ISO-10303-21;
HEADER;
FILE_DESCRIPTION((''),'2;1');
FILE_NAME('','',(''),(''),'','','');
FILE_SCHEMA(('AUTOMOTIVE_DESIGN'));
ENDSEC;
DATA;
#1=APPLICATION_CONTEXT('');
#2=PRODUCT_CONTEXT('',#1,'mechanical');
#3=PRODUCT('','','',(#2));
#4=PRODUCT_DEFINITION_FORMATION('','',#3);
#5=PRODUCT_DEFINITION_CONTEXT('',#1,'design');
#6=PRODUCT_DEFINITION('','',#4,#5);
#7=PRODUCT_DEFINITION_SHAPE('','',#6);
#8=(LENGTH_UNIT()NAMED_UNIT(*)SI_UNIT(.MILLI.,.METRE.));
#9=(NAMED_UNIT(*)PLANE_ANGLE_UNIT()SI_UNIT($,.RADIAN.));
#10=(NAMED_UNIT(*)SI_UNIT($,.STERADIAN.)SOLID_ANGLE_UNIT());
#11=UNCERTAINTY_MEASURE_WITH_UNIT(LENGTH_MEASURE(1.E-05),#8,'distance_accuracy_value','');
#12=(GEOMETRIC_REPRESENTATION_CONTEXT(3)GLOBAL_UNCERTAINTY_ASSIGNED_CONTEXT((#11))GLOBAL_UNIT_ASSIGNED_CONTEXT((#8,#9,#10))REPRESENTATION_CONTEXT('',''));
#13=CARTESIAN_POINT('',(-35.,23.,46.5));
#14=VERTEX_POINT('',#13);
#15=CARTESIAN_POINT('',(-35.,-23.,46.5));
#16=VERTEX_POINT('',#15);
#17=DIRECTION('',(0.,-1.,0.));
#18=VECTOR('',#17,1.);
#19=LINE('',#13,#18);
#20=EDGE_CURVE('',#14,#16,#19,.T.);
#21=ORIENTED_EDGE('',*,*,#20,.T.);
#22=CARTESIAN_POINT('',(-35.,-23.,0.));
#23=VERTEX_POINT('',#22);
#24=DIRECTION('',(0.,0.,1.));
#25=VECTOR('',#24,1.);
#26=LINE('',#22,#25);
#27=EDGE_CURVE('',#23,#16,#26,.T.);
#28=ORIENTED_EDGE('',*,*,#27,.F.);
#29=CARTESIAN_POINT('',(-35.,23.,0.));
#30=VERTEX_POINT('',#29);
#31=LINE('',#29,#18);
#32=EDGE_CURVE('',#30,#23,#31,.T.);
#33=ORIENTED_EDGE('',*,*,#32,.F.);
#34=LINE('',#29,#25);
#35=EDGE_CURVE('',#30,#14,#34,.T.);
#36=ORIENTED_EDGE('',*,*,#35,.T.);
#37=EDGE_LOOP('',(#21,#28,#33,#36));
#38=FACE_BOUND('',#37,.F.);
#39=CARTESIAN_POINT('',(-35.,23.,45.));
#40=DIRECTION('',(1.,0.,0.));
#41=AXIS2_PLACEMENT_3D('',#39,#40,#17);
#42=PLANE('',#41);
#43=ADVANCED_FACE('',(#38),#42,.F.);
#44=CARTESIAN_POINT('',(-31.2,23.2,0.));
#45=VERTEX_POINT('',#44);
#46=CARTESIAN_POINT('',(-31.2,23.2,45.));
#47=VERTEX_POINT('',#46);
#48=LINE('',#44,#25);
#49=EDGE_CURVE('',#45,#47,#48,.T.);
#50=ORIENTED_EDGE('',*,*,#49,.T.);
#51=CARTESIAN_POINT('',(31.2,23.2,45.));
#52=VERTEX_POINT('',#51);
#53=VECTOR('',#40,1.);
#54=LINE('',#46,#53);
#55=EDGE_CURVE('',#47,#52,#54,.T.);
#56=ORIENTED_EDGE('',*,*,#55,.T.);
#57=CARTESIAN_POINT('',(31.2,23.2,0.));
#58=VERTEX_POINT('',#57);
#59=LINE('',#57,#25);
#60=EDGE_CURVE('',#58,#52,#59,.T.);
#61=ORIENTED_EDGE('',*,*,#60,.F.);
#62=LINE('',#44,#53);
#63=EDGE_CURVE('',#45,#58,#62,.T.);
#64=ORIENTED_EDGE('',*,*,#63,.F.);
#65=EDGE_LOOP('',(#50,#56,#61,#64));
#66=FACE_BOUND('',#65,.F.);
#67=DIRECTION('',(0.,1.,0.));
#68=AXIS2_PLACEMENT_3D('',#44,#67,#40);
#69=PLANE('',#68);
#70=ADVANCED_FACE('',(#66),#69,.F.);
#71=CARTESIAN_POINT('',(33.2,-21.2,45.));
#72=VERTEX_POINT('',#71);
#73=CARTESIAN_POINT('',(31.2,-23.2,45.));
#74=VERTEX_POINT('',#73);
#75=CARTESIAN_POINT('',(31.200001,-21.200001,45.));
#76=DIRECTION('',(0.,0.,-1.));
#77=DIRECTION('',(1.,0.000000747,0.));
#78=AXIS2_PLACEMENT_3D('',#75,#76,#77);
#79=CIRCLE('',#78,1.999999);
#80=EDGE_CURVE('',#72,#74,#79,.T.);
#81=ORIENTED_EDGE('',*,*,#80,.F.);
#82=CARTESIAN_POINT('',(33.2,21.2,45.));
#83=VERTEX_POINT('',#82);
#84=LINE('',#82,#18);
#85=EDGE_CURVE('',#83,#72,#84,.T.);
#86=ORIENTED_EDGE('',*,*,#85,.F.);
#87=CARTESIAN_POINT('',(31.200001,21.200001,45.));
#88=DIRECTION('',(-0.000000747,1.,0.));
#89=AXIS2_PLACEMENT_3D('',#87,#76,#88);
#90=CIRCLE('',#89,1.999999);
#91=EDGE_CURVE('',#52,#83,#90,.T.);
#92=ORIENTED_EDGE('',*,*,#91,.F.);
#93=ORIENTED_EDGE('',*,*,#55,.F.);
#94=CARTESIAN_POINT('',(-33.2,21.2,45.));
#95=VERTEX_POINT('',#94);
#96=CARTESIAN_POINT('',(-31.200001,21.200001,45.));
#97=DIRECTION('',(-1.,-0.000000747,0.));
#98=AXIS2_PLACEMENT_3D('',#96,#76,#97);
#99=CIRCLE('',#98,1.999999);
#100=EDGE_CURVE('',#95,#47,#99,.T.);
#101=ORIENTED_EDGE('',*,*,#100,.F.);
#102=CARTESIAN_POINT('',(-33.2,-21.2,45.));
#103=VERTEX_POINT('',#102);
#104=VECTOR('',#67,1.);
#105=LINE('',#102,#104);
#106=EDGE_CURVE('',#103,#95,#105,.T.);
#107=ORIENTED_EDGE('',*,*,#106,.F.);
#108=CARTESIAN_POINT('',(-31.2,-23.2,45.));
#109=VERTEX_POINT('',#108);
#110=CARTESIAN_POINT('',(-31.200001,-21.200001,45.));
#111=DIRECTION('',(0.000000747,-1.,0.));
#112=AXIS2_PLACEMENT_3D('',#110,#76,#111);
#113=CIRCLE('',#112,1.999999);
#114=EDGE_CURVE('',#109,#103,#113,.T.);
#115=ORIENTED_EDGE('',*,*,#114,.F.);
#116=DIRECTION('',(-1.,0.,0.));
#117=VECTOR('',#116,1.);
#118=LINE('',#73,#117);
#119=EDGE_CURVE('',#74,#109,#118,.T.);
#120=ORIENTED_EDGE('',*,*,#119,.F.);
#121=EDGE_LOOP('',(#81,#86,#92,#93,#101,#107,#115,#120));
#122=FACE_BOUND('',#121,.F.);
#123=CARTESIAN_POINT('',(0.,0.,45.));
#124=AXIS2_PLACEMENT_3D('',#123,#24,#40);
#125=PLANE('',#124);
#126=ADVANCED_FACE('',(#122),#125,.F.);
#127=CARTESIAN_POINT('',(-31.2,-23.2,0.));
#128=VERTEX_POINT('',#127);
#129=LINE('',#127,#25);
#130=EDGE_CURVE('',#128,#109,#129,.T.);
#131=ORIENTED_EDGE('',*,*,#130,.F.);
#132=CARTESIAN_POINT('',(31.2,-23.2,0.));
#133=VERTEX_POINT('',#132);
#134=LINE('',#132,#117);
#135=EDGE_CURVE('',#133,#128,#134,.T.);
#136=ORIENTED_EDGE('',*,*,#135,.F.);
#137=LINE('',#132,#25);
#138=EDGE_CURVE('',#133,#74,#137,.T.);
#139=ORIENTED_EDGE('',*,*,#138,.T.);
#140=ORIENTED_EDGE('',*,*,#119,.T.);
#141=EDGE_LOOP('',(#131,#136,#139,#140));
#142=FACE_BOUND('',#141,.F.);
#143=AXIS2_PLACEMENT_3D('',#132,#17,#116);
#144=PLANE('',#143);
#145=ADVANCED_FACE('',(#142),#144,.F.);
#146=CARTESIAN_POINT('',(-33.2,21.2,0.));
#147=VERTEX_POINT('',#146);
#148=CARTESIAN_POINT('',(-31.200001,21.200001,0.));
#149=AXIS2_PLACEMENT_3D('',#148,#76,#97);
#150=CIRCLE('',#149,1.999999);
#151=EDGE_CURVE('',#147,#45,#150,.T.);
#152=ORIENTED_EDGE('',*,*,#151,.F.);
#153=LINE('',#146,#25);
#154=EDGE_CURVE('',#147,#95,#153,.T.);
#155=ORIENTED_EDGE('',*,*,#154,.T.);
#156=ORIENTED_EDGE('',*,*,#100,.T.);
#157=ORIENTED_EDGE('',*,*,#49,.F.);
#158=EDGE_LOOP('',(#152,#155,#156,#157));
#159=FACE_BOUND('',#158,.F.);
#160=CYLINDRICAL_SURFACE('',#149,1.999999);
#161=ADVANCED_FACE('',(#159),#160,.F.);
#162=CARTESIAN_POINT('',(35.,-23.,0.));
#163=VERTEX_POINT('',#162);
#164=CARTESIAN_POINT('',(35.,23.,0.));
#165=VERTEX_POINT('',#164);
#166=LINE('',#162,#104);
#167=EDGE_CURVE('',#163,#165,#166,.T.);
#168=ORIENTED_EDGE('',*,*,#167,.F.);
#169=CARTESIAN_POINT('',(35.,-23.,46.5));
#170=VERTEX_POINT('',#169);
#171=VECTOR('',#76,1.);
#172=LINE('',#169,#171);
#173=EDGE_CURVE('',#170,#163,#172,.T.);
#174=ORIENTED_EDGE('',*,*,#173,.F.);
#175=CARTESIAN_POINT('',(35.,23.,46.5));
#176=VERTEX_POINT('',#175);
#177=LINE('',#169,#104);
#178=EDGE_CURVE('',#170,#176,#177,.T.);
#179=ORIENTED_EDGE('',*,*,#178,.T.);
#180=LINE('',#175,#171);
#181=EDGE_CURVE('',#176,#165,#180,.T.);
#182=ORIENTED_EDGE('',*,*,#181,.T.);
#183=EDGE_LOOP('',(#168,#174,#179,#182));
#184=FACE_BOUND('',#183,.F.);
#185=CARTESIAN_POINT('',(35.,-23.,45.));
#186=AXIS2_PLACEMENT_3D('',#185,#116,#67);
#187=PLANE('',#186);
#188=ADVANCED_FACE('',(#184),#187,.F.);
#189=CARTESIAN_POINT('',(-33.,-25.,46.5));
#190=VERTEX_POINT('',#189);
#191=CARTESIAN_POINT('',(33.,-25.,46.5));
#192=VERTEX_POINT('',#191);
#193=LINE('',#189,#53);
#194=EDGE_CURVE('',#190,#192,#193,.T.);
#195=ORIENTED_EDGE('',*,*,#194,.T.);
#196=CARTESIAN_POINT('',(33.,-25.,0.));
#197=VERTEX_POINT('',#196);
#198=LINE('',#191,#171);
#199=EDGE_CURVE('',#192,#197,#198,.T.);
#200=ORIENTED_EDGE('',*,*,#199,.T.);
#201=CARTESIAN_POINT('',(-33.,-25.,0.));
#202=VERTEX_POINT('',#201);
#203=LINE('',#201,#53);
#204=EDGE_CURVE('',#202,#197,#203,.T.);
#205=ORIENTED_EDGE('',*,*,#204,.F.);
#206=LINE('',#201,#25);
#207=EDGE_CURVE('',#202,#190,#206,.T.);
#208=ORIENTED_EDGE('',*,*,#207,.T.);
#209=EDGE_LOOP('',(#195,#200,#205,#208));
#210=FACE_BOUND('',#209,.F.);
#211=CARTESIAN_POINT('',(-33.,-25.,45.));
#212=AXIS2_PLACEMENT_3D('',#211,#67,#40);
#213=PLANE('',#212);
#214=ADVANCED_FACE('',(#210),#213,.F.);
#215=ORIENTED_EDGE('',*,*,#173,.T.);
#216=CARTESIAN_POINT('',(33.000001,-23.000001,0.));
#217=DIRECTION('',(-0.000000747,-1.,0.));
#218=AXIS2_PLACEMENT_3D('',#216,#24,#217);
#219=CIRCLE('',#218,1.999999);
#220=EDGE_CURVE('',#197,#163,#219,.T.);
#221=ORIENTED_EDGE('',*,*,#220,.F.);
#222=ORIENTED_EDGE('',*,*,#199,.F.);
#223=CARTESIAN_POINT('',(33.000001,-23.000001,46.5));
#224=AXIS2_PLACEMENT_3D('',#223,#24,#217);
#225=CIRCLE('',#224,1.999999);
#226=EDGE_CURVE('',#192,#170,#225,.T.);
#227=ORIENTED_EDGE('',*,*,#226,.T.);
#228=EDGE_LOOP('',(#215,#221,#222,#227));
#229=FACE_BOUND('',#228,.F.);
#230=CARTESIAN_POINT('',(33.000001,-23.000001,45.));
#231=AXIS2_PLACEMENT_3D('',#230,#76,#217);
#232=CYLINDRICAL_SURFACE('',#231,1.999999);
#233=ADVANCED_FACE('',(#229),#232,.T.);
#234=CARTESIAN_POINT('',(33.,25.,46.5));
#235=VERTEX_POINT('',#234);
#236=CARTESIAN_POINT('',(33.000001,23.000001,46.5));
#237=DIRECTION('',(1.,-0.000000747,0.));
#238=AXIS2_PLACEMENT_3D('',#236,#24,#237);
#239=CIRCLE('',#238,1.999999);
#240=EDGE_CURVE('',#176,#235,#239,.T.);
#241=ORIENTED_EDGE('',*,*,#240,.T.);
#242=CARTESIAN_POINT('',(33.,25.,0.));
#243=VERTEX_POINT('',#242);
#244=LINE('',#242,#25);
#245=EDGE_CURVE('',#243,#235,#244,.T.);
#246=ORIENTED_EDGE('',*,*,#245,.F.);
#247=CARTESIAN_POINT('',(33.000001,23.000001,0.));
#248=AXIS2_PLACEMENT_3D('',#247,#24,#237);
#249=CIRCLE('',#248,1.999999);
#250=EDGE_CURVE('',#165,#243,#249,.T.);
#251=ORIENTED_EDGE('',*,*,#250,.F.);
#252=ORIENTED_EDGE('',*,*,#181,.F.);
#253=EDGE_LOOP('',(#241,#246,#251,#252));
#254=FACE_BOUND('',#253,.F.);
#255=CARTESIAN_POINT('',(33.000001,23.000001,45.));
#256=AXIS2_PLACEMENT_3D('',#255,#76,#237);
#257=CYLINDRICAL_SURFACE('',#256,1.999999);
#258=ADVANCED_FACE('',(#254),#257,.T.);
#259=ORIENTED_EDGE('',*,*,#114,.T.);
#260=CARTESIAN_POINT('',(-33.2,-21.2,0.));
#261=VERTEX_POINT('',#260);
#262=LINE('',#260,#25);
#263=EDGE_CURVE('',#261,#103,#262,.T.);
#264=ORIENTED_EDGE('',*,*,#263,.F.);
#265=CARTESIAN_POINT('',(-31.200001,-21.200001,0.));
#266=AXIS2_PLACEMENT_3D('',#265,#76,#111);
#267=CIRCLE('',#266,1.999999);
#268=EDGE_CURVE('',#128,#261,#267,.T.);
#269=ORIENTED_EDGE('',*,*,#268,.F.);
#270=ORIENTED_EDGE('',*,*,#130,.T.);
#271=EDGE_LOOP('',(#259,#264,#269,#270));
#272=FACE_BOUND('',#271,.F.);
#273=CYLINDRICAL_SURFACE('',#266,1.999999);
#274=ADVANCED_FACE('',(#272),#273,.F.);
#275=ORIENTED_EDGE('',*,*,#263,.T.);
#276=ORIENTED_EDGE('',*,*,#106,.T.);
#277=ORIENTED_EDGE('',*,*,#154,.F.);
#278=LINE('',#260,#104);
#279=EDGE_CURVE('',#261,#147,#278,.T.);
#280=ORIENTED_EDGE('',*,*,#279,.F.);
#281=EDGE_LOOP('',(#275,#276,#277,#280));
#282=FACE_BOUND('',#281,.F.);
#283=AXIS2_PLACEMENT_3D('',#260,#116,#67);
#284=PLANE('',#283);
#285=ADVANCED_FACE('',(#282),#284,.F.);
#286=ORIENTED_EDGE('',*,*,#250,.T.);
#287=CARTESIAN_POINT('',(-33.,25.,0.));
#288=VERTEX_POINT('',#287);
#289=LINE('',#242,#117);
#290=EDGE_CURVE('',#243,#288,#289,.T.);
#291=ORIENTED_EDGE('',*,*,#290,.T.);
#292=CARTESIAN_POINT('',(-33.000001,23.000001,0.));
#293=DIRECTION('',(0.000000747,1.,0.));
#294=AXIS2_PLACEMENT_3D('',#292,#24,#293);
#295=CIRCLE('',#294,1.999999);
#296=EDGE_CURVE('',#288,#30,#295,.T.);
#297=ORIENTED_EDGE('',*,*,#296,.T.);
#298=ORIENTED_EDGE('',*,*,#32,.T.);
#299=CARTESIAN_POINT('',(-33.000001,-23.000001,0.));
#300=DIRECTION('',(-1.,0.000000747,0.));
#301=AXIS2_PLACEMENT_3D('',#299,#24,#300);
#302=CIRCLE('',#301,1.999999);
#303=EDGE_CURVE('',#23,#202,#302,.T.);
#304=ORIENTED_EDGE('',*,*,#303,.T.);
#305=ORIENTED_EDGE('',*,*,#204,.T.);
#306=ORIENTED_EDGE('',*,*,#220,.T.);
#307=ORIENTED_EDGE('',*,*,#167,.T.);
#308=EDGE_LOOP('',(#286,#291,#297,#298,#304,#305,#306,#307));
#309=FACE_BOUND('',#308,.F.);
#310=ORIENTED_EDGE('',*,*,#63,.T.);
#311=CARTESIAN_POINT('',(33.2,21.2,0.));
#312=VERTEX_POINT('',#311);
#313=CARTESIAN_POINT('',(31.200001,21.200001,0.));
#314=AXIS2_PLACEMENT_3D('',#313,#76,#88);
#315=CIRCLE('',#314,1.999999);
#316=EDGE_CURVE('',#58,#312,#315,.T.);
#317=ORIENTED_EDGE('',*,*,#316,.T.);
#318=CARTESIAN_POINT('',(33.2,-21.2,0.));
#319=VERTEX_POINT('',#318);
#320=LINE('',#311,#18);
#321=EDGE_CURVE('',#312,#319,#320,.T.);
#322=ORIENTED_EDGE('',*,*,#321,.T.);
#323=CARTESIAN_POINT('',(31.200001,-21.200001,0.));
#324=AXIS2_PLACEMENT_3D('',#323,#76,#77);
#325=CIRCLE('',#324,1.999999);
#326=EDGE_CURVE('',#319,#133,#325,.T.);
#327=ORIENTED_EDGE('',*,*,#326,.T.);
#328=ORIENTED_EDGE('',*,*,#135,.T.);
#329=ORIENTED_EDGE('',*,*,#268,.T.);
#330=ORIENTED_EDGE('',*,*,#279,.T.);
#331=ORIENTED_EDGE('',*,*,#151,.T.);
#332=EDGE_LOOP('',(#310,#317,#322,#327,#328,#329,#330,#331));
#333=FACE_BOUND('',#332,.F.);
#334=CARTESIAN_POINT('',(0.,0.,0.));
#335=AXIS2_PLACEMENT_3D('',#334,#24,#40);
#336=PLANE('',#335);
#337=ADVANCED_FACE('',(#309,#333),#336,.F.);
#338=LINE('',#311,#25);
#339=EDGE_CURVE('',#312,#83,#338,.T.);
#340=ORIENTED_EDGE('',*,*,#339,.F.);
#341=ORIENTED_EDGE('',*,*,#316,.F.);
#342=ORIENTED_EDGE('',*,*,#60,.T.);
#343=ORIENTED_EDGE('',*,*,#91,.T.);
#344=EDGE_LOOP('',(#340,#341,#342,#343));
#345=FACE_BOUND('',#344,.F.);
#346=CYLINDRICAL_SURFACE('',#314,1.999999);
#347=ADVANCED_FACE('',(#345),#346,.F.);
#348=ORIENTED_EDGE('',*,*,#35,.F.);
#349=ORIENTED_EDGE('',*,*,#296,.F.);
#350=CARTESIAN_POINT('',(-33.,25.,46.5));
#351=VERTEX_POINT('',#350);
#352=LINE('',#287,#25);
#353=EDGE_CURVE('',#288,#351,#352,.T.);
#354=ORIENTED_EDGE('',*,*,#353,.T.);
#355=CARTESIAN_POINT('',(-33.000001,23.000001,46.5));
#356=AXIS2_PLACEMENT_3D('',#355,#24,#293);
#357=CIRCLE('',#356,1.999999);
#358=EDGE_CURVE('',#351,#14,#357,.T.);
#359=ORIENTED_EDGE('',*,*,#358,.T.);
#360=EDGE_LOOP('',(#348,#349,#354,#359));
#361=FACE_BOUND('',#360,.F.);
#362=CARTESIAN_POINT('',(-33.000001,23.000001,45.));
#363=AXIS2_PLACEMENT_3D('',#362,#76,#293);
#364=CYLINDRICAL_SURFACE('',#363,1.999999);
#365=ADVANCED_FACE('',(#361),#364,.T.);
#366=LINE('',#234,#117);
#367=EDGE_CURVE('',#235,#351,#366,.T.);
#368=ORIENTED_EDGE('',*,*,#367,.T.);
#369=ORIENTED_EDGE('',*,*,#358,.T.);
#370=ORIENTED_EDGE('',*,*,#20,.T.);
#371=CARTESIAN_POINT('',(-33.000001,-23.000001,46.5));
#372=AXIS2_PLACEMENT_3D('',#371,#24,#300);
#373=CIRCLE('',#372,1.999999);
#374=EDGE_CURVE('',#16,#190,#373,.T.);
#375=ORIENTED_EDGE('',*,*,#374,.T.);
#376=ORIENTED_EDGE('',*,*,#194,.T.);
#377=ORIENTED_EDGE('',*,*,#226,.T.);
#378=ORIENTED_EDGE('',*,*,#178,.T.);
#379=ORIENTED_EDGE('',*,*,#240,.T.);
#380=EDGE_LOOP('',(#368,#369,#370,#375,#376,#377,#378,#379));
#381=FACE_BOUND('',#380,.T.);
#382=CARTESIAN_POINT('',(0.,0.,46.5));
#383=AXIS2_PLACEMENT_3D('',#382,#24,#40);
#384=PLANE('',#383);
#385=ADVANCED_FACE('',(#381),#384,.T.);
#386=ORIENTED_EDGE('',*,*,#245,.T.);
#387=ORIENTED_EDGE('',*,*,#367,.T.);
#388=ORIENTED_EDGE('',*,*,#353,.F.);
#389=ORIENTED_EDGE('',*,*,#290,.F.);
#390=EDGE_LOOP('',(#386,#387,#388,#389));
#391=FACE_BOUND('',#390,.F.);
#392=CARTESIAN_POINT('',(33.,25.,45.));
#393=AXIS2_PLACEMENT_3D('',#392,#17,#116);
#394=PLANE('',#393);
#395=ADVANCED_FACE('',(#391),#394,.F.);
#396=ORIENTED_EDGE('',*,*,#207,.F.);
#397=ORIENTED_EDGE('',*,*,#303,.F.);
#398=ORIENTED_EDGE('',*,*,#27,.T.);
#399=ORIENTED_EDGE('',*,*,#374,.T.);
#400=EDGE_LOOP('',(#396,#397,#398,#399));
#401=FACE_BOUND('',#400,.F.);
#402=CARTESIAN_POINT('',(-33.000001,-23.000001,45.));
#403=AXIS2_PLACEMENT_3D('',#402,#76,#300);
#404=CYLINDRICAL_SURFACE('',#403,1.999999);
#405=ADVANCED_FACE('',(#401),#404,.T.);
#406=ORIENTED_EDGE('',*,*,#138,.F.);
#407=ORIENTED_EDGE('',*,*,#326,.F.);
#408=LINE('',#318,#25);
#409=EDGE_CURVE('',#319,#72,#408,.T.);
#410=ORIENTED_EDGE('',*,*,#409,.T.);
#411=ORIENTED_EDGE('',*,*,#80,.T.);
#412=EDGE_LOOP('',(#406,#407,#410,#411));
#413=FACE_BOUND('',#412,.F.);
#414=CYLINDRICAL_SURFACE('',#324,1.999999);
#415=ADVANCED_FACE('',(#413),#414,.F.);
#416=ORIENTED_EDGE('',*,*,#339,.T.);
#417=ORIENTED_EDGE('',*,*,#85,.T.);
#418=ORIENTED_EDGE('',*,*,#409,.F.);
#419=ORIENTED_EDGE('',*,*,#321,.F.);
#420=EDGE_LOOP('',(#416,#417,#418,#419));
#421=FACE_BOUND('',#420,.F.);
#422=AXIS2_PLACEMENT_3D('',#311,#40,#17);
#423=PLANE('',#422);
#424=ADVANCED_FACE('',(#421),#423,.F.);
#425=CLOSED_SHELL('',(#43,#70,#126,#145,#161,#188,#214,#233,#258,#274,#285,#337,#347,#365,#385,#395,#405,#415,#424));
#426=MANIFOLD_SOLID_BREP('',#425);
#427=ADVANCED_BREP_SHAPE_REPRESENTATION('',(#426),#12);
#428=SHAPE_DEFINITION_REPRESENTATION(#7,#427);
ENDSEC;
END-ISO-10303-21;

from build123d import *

# Parameters (mm, degrees)
F1_DEPTH = 45
F3_DEPTH = 1.5


with BuildPart() as f1:
    # F0 (on Top) → F1 (new body)
    with BuildSketch(Plane.XY):
        with BuildLine():
            Line((-33, -25), (33, -25))
            ThreePointArc((33, -25), (34.414214, -24.414214), (35, -23))
            Line((35, -23), (35, 23))
            ThreePointArc((35, 23), (34.414214, 24.414214), (33, 25))
            Line((33, 25), (-33, 25))
            ThreePointArc((-33, 25), (-34.414214, 24.414214), (-35, 23))
            Line((-35, 23), (-35, -23))
            ThreePointArc((-35, -23), (-34.414214, -24.414214), (-33, -25))
        make_face()
        with BuildLine():
            Line((-31.2, 23.2), (31.2, 23.2))
            ThreePointArc((31.2, 23.2), (32.614214, 22.614214), (33.2, 21.2))
            Line((33.2, 21.2), (33.2, -21.2))
            ThreePointArc((33.2, -21.2), (32.614214, -22.614214), (31.2, -23.2))
            Line((31.2, -23.2), (-31.2, -23.2))
            ThreePointArc((-31.2, -23.2), (-32.614214, -22.614214), (-33.2, -21.2))
            Line((-33.2, -21.2), (-33.2, 21.2))
            ThreePointArc((-33.2, 21.2), (-32.614214, 22.614214), (-31.2, 23.2))
        make_face(mode=Mode.SUBTRACT)
    extrude(amount=F1_DEPTH)

    # F2 (on face) → F3 (join)
    with BuildSketch(Plane.XY.offset(45)):
        with BuildLine():
            ThreePointArc((35, 23), (34.414214, 24.414214), (33, 25))
            Line((33, 25), (-33, 25))
            ThreePointArc((-33, 25), (-34.414214, 24.414214), (-35, 23))
            Line((-35, 23), (-35, -23))
            ThreePointArc((-35, -23), (-34.414214, -24.414214), (-33, -25))
            Line((-33, -25), (33, -25))
            ThreePointArc((33, -25), (34.414214, -24.414214), (35, -23))
            Line((35, -23), (35, 23))
        make_face()
    extrude(amount=F3_DEPTH)


solid = f1.part
